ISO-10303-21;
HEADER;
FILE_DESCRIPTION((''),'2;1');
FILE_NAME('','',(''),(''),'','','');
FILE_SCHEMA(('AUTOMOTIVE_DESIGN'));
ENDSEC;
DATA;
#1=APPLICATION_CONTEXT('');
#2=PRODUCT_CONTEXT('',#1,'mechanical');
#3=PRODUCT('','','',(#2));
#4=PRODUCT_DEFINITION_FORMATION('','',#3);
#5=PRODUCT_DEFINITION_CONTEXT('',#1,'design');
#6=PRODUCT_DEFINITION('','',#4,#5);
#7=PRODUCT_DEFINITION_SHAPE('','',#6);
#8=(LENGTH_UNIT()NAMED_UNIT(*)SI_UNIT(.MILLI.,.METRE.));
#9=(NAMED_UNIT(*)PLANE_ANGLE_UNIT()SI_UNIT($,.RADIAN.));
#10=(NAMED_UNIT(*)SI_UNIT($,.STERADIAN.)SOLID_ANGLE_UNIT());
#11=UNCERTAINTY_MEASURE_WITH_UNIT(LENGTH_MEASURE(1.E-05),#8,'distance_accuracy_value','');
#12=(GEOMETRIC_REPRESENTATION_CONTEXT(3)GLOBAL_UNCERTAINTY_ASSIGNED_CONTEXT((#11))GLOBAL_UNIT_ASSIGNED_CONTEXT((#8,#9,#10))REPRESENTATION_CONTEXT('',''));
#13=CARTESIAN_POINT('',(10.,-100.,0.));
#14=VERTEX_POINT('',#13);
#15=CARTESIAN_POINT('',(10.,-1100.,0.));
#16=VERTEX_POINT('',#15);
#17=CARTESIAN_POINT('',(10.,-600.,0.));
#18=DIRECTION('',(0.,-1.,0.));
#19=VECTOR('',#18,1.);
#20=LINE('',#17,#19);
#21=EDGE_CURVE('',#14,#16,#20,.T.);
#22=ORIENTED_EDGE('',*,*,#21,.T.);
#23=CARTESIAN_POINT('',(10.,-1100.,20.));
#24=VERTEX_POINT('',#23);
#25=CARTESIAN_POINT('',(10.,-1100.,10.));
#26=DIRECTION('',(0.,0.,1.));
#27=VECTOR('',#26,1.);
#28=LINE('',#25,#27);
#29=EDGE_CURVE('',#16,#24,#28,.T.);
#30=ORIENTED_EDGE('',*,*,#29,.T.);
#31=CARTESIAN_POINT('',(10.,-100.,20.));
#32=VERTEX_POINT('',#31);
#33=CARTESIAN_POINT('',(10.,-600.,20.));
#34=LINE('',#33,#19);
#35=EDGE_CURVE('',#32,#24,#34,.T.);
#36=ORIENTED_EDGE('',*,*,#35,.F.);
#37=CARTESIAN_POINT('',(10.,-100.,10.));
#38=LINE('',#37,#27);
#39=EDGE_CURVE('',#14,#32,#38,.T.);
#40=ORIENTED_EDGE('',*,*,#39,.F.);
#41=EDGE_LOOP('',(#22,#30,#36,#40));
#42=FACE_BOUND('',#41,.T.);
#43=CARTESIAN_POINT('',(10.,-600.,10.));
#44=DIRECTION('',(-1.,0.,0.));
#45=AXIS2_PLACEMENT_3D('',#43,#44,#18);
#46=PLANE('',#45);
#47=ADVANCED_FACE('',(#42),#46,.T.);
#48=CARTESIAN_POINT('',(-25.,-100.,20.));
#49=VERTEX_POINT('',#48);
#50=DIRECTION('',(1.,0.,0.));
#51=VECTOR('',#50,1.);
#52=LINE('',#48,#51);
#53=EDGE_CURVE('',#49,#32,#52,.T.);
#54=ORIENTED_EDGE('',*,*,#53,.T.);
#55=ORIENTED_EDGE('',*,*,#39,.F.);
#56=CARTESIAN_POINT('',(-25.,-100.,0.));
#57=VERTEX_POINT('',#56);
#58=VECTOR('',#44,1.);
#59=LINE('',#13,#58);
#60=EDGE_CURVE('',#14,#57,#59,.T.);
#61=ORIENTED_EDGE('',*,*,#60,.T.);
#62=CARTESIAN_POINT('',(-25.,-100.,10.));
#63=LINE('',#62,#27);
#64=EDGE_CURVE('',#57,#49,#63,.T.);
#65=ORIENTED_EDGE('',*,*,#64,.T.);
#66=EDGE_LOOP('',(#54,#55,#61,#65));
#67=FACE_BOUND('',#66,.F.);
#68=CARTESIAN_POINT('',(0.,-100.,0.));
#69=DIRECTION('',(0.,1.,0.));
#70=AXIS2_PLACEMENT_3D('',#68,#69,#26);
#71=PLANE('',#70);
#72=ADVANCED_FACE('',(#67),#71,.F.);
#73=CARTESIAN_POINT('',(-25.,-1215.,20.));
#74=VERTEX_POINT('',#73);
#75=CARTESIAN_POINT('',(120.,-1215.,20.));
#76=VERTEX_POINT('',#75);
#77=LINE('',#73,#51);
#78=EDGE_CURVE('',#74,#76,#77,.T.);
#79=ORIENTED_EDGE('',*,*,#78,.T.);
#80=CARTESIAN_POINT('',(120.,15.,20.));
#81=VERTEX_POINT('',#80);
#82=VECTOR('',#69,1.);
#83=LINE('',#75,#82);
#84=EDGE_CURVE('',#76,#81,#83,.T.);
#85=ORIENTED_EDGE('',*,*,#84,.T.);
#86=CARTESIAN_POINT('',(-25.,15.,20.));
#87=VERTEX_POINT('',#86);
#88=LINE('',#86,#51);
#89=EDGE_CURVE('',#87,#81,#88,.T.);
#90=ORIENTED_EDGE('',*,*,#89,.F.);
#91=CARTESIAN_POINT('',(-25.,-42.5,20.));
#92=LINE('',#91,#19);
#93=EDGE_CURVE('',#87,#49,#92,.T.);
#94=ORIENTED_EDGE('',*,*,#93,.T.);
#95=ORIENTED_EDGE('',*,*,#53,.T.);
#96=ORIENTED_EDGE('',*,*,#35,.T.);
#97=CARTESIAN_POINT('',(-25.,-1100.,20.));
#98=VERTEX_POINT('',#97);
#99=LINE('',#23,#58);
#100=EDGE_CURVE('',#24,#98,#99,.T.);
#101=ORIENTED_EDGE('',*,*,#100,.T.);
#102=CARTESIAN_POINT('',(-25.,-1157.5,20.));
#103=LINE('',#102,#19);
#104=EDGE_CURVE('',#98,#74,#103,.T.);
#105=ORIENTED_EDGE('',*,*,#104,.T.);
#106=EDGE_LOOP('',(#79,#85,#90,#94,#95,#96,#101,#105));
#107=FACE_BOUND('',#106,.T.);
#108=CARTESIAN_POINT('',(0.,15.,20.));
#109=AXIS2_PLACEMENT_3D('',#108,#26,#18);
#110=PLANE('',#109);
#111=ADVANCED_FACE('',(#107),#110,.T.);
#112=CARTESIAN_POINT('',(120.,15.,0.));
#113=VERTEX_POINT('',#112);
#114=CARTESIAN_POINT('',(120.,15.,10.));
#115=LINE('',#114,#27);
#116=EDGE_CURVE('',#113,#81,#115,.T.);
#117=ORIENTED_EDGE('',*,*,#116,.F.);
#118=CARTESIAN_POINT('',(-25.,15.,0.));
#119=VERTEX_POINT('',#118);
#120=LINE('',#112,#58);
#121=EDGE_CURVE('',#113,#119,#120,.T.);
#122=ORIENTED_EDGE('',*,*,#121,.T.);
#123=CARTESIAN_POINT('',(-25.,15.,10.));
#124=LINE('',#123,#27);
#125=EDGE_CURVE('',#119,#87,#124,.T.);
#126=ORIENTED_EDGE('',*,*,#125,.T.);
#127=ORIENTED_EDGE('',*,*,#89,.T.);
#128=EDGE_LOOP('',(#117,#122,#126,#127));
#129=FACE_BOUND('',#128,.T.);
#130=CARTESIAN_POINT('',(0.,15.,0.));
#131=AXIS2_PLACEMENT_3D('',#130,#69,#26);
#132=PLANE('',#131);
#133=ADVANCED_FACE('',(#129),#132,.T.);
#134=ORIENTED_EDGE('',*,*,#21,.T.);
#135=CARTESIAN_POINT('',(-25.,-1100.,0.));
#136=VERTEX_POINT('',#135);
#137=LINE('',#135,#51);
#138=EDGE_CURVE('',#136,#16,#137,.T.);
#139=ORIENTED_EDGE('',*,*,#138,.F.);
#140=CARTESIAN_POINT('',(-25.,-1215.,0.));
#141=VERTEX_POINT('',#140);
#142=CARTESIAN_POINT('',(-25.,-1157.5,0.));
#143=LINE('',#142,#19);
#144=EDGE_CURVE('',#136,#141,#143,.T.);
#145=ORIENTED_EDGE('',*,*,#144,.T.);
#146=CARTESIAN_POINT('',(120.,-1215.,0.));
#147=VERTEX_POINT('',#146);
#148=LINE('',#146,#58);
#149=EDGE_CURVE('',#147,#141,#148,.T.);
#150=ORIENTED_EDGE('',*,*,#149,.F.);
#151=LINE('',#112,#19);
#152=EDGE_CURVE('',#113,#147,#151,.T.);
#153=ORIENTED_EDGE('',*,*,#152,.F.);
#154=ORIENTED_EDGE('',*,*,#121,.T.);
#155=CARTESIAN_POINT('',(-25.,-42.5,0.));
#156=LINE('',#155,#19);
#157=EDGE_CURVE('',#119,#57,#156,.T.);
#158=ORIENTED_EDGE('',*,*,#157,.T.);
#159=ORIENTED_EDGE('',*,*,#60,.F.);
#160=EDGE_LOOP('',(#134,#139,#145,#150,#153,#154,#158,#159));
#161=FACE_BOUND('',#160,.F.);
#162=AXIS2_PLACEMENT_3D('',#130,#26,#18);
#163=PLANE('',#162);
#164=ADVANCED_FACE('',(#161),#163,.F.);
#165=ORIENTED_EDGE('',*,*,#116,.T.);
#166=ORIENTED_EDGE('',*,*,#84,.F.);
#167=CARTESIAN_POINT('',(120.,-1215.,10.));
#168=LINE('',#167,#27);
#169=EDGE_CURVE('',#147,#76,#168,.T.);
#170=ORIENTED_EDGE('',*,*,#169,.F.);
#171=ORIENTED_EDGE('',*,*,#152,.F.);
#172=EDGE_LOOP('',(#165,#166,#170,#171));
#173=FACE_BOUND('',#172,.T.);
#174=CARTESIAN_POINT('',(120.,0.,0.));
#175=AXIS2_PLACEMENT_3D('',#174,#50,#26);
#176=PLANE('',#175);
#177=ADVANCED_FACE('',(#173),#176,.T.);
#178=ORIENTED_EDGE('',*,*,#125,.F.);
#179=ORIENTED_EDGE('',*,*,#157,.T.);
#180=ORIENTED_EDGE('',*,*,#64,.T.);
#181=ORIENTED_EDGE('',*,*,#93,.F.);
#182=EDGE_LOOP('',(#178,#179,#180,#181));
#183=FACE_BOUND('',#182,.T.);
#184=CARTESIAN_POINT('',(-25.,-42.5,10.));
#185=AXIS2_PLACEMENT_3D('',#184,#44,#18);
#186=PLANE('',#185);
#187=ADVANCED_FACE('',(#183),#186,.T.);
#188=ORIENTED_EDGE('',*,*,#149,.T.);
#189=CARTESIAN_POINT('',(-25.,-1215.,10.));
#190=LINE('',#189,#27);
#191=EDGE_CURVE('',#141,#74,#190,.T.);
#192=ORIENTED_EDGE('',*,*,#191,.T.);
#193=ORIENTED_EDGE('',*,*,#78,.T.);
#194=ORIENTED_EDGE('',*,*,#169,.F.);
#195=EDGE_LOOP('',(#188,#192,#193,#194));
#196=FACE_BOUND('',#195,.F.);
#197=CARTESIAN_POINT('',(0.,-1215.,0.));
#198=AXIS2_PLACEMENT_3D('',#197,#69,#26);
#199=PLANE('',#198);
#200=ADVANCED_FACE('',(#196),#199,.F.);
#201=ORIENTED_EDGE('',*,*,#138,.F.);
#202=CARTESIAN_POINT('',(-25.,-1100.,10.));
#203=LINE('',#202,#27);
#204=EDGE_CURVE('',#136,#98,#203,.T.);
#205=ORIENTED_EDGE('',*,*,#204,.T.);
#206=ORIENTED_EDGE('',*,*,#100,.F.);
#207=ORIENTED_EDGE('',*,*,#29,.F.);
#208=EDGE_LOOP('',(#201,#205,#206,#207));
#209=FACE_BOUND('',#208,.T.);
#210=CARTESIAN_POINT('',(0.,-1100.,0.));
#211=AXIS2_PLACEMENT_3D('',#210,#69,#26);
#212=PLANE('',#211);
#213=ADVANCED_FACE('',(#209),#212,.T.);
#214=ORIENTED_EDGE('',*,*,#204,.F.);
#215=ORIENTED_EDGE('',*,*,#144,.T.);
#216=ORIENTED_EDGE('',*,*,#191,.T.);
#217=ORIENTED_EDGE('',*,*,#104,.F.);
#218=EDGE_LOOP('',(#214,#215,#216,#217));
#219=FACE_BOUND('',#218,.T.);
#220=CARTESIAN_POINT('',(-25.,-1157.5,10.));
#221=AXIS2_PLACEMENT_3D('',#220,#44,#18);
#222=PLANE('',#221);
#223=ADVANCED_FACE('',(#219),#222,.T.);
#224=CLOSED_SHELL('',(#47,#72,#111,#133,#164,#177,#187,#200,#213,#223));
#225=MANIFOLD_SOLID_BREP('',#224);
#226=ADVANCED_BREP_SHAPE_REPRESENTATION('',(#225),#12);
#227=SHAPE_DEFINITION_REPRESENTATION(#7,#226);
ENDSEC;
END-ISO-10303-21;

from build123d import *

# Parameters (mm, degrees)
F0_W     = 120
F0_H     = 20
F1_DEPTH = 1200
F2_DEPTH = 15
F3_DEPTH = 15
F4_W     = 115
F4_H     = 20
F5_DEPTH = 25
F6_DEPTH = 25
F7_W     = 1000
F7_H     = 20
F8_DEPTH = 10


with BuildPart() as f1:
    # F0 (on Front) → F1 (new body)
    with BuildSketch(Plane.XZ):
        with Locations((60, 10)):
            Rectangle(F0_W, F0_H)
    extrude(amount=F1_DEPTH)

    # F2 (add): a face of the model
    f2_faces = [f1.faces().sort_by_distance(p)[0] for p in [
        (60, -1200, 10),
    ]]
    extrude(f2_faces, amount=F2_DEPTH)

    # F3 (add): a face of the model
    f3_faces = [f1.faces().sort_by_distance(p)[0] for p in [
        (60, 0, 10),
    ]]
    extrude(f3_faces, amount=F3_DEPTH)

    # F4 (on face) → F5 (join)
    with BuildSketch(Plane(origin=(0, 0, 0), x_dir=(0, -1, 0), z_dir=(-1, 0, 0))):
        with Locations((1157.5, 10)):
            Rectangle(F4_W, F4_H)
    extrude(amount=F5_DEPTH)

    # F4 (on face) → F6 (join)
    with BuildSketch(Plane(origin=(0, 0, 0), x_dir=(0, -1, 0), z_dir=(-1, 0, 0))):
        with Locations((42.5, 10)):
            Rectangle(F4_W, F4_H)
    extrude(amount=F6_DEPTH)

    # F7 (on face) → F8 (cut)
    with BuildSketch(Plane(origin=(0, 0, 0), x_dir=(0, -1, 0), z_dir=(-1, 0, 0))):
        with Locations((600, 10)):
            Rectangle(F7_W, F7_H)
    extrude(amount=-F8_DEPTH, mode=Mode.SUBTRACT)


solid = f1.part
